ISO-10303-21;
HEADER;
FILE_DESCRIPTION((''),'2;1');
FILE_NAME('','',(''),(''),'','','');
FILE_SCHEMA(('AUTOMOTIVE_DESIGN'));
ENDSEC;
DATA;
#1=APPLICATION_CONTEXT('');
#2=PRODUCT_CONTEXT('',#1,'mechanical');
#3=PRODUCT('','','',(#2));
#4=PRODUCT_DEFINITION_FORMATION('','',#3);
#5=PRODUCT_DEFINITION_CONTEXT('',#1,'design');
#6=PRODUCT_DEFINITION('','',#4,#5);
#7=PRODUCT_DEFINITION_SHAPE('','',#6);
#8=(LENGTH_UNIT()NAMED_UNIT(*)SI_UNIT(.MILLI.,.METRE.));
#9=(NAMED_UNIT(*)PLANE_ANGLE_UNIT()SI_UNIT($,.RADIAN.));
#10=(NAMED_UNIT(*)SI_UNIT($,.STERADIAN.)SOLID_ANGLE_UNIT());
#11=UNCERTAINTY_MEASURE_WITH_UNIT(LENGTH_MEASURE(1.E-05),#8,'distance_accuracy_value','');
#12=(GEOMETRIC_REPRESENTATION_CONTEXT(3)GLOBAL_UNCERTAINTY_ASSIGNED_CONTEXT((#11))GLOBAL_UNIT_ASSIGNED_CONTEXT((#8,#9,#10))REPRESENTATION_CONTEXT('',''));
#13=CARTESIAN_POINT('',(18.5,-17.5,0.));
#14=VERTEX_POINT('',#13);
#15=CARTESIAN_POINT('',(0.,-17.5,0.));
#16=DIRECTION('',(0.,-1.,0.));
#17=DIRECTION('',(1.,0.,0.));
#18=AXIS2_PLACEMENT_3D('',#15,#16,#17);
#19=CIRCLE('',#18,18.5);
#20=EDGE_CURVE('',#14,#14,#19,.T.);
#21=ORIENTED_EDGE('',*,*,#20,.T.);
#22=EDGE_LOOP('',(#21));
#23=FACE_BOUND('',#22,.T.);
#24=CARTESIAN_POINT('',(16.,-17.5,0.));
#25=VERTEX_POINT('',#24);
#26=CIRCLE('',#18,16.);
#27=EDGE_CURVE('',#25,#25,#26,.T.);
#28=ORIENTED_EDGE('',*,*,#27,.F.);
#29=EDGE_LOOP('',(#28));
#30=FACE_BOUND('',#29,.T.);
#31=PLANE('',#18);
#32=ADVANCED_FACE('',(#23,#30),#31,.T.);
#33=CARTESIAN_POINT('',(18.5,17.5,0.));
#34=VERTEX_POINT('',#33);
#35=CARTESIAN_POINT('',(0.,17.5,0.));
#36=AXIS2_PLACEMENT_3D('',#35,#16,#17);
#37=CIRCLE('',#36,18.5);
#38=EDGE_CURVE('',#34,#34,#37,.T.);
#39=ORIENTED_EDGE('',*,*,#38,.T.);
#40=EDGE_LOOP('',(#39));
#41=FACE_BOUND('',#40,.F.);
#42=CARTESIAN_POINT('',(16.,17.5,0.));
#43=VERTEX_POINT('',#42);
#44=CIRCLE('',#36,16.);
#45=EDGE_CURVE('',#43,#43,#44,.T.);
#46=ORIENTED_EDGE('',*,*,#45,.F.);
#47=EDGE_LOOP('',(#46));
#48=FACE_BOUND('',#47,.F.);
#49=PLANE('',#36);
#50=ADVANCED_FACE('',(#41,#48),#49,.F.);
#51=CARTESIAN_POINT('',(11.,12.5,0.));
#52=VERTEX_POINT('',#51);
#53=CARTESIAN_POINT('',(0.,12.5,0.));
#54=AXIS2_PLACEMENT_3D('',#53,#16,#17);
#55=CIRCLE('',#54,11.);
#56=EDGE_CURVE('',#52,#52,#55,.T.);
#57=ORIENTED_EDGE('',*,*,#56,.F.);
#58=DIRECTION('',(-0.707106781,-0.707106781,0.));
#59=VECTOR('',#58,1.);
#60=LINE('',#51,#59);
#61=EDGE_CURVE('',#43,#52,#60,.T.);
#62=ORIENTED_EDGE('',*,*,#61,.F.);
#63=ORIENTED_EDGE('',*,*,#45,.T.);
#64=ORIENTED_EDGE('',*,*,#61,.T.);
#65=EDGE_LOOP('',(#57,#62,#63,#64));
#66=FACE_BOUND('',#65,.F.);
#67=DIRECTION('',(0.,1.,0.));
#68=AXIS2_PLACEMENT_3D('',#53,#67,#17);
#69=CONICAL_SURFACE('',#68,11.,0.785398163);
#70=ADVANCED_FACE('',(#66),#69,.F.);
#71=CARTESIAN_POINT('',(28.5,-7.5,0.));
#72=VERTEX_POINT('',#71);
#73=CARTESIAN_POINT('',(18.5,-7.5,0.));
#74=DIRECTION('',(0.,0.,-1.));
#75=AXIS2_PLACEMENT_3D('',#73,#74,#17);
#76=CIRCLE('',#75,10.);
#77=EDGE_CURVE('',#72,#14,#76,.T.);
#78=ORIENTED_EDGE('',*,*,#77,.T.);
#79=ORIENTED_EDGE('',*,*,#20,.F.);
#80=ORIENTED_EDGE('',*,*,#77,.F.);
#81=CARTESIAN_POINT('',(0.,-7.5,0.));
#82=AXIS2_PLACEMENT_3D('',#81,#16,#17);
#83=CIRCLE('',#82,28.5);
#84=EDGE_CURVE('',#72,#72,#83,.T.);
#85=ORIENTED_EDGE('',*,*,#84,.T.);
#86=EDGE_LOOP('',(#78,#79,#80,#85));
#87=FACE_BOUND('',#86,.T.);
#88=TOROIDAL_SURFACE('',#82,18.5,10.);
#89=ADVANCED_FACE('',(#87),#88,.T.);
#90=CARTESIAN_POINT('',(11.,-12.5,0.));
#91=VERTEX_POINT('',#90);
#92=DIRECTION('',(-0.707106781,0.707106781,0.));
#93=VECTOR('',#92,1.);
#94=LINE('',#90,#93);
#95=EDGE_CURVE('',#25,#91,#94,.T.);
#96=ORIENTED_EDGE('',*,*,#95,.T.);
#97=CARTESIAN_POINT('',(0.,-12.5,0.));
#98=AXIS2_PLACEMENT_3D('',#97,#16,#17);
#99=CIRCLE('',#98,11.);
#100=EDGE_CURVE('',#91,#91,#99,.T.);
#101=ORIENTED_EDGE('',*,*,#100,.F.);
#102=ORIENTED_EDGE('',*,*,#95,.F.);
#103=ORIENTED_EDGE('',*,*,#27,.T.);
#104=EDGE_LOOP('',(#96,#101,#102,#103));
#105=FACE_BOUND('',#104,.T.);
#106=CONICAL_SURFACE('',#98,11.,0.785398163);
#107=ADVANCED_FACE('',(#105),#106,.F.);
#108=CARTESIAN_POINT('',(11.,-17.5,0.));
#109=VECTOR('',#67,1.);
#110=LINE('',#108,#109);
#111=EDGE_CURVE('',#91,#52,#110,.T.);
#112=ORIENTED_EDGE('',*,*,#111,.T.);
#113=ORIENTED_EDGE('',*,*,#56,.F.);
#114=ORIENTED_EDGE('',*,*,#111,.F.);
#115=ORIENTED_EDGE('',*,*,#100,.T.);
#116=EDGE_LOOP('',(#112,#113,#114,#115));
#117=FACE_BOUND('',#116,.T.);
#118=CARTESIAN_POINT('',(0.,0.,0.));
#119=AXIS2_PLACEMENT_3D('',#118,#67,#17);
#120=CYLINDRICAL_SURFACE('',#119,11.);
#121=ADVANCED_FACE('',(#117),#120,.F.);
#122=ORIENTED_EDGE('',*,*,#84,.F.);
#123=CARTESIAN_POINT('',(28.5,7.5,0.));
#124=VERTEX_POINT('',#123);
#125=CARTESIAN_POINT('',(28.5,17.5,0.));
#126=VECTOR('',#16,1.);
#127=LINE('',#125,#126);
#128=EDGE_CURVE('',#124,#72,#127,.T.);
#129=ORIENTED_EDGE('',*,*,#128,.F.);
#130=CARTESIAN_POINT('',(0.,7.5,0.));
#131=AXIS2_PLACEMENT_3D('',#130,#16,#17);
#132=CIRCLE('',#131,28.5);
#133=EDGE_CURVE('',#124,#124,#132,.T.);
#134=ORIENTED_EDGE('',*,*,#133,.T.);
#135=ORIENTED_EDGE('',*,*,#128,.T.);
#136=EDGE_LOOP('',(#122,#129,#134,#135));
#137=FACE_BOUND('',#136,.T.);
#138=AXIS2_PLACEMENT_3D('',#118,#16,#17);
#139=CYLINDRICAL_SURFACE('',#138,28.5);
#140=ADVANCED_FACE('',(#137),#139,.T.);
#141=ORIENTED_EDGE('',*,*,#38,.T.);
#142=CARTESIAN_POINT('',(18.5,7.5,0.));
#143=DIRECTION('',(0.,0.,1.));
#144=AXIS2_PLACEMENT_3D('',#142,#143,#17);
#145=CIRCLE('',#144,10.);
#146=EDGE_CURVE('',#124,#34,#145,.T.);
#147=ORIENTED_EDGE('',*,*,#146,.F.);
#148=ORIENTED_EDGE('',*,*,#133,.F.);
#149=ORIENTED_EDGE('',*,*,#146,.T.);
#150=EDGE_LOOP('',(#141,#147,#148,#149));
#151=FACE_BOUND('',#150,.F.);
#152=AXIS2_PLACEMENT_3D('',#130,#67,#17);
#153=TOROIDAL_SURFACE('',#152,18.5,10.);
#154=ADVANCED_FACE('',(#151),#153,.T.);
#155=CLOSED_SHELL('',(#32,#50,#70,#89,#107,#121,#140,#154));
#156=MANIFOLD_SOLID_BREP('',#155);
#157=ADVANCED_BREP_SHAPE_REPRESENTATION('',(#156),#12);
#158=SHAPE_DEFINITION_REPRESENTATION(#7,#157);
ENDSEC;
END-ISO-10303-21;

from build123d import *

# Parameters (mm, degrees)
F0_R     = 28.5
F0_R_2   = 11
F1_DEPTH = 17.5
F2_R     = 10
F3_SIZE  = 5


with BuildPart() as f1:
    # F0 (on Front) → F1 (new body, symmetric)
    with BuildSketch(Plane.XZ):
        Circle(F0_R)
        Circle(F0_R_2, mode=Mode.SUBTRACT)
    extrude(amount=F1_DEPTH, both=True)

    # F2
    f2_edges = [f1.edges().sort_by_distance(p)[0] for p in [
        (-28.5, -17.5, 0),
        (-28.5, 17.5, 0),
    ]]
    fillet(f2_edges, radius=F2_R)

    # F3
    f3_edges = [f1.edges().sort_by_distance(p)[0] for p in [
        (28.5, 0, 0),
        (-28.5, 7.5, 0),
        (-28.5, -7.5, 0),
        (-11, -17.5, 0),
        (-11, 17.5, 0),
    ]]
    chamfer(f3_edges, length=F3_SIZE)


solid = f1.part
